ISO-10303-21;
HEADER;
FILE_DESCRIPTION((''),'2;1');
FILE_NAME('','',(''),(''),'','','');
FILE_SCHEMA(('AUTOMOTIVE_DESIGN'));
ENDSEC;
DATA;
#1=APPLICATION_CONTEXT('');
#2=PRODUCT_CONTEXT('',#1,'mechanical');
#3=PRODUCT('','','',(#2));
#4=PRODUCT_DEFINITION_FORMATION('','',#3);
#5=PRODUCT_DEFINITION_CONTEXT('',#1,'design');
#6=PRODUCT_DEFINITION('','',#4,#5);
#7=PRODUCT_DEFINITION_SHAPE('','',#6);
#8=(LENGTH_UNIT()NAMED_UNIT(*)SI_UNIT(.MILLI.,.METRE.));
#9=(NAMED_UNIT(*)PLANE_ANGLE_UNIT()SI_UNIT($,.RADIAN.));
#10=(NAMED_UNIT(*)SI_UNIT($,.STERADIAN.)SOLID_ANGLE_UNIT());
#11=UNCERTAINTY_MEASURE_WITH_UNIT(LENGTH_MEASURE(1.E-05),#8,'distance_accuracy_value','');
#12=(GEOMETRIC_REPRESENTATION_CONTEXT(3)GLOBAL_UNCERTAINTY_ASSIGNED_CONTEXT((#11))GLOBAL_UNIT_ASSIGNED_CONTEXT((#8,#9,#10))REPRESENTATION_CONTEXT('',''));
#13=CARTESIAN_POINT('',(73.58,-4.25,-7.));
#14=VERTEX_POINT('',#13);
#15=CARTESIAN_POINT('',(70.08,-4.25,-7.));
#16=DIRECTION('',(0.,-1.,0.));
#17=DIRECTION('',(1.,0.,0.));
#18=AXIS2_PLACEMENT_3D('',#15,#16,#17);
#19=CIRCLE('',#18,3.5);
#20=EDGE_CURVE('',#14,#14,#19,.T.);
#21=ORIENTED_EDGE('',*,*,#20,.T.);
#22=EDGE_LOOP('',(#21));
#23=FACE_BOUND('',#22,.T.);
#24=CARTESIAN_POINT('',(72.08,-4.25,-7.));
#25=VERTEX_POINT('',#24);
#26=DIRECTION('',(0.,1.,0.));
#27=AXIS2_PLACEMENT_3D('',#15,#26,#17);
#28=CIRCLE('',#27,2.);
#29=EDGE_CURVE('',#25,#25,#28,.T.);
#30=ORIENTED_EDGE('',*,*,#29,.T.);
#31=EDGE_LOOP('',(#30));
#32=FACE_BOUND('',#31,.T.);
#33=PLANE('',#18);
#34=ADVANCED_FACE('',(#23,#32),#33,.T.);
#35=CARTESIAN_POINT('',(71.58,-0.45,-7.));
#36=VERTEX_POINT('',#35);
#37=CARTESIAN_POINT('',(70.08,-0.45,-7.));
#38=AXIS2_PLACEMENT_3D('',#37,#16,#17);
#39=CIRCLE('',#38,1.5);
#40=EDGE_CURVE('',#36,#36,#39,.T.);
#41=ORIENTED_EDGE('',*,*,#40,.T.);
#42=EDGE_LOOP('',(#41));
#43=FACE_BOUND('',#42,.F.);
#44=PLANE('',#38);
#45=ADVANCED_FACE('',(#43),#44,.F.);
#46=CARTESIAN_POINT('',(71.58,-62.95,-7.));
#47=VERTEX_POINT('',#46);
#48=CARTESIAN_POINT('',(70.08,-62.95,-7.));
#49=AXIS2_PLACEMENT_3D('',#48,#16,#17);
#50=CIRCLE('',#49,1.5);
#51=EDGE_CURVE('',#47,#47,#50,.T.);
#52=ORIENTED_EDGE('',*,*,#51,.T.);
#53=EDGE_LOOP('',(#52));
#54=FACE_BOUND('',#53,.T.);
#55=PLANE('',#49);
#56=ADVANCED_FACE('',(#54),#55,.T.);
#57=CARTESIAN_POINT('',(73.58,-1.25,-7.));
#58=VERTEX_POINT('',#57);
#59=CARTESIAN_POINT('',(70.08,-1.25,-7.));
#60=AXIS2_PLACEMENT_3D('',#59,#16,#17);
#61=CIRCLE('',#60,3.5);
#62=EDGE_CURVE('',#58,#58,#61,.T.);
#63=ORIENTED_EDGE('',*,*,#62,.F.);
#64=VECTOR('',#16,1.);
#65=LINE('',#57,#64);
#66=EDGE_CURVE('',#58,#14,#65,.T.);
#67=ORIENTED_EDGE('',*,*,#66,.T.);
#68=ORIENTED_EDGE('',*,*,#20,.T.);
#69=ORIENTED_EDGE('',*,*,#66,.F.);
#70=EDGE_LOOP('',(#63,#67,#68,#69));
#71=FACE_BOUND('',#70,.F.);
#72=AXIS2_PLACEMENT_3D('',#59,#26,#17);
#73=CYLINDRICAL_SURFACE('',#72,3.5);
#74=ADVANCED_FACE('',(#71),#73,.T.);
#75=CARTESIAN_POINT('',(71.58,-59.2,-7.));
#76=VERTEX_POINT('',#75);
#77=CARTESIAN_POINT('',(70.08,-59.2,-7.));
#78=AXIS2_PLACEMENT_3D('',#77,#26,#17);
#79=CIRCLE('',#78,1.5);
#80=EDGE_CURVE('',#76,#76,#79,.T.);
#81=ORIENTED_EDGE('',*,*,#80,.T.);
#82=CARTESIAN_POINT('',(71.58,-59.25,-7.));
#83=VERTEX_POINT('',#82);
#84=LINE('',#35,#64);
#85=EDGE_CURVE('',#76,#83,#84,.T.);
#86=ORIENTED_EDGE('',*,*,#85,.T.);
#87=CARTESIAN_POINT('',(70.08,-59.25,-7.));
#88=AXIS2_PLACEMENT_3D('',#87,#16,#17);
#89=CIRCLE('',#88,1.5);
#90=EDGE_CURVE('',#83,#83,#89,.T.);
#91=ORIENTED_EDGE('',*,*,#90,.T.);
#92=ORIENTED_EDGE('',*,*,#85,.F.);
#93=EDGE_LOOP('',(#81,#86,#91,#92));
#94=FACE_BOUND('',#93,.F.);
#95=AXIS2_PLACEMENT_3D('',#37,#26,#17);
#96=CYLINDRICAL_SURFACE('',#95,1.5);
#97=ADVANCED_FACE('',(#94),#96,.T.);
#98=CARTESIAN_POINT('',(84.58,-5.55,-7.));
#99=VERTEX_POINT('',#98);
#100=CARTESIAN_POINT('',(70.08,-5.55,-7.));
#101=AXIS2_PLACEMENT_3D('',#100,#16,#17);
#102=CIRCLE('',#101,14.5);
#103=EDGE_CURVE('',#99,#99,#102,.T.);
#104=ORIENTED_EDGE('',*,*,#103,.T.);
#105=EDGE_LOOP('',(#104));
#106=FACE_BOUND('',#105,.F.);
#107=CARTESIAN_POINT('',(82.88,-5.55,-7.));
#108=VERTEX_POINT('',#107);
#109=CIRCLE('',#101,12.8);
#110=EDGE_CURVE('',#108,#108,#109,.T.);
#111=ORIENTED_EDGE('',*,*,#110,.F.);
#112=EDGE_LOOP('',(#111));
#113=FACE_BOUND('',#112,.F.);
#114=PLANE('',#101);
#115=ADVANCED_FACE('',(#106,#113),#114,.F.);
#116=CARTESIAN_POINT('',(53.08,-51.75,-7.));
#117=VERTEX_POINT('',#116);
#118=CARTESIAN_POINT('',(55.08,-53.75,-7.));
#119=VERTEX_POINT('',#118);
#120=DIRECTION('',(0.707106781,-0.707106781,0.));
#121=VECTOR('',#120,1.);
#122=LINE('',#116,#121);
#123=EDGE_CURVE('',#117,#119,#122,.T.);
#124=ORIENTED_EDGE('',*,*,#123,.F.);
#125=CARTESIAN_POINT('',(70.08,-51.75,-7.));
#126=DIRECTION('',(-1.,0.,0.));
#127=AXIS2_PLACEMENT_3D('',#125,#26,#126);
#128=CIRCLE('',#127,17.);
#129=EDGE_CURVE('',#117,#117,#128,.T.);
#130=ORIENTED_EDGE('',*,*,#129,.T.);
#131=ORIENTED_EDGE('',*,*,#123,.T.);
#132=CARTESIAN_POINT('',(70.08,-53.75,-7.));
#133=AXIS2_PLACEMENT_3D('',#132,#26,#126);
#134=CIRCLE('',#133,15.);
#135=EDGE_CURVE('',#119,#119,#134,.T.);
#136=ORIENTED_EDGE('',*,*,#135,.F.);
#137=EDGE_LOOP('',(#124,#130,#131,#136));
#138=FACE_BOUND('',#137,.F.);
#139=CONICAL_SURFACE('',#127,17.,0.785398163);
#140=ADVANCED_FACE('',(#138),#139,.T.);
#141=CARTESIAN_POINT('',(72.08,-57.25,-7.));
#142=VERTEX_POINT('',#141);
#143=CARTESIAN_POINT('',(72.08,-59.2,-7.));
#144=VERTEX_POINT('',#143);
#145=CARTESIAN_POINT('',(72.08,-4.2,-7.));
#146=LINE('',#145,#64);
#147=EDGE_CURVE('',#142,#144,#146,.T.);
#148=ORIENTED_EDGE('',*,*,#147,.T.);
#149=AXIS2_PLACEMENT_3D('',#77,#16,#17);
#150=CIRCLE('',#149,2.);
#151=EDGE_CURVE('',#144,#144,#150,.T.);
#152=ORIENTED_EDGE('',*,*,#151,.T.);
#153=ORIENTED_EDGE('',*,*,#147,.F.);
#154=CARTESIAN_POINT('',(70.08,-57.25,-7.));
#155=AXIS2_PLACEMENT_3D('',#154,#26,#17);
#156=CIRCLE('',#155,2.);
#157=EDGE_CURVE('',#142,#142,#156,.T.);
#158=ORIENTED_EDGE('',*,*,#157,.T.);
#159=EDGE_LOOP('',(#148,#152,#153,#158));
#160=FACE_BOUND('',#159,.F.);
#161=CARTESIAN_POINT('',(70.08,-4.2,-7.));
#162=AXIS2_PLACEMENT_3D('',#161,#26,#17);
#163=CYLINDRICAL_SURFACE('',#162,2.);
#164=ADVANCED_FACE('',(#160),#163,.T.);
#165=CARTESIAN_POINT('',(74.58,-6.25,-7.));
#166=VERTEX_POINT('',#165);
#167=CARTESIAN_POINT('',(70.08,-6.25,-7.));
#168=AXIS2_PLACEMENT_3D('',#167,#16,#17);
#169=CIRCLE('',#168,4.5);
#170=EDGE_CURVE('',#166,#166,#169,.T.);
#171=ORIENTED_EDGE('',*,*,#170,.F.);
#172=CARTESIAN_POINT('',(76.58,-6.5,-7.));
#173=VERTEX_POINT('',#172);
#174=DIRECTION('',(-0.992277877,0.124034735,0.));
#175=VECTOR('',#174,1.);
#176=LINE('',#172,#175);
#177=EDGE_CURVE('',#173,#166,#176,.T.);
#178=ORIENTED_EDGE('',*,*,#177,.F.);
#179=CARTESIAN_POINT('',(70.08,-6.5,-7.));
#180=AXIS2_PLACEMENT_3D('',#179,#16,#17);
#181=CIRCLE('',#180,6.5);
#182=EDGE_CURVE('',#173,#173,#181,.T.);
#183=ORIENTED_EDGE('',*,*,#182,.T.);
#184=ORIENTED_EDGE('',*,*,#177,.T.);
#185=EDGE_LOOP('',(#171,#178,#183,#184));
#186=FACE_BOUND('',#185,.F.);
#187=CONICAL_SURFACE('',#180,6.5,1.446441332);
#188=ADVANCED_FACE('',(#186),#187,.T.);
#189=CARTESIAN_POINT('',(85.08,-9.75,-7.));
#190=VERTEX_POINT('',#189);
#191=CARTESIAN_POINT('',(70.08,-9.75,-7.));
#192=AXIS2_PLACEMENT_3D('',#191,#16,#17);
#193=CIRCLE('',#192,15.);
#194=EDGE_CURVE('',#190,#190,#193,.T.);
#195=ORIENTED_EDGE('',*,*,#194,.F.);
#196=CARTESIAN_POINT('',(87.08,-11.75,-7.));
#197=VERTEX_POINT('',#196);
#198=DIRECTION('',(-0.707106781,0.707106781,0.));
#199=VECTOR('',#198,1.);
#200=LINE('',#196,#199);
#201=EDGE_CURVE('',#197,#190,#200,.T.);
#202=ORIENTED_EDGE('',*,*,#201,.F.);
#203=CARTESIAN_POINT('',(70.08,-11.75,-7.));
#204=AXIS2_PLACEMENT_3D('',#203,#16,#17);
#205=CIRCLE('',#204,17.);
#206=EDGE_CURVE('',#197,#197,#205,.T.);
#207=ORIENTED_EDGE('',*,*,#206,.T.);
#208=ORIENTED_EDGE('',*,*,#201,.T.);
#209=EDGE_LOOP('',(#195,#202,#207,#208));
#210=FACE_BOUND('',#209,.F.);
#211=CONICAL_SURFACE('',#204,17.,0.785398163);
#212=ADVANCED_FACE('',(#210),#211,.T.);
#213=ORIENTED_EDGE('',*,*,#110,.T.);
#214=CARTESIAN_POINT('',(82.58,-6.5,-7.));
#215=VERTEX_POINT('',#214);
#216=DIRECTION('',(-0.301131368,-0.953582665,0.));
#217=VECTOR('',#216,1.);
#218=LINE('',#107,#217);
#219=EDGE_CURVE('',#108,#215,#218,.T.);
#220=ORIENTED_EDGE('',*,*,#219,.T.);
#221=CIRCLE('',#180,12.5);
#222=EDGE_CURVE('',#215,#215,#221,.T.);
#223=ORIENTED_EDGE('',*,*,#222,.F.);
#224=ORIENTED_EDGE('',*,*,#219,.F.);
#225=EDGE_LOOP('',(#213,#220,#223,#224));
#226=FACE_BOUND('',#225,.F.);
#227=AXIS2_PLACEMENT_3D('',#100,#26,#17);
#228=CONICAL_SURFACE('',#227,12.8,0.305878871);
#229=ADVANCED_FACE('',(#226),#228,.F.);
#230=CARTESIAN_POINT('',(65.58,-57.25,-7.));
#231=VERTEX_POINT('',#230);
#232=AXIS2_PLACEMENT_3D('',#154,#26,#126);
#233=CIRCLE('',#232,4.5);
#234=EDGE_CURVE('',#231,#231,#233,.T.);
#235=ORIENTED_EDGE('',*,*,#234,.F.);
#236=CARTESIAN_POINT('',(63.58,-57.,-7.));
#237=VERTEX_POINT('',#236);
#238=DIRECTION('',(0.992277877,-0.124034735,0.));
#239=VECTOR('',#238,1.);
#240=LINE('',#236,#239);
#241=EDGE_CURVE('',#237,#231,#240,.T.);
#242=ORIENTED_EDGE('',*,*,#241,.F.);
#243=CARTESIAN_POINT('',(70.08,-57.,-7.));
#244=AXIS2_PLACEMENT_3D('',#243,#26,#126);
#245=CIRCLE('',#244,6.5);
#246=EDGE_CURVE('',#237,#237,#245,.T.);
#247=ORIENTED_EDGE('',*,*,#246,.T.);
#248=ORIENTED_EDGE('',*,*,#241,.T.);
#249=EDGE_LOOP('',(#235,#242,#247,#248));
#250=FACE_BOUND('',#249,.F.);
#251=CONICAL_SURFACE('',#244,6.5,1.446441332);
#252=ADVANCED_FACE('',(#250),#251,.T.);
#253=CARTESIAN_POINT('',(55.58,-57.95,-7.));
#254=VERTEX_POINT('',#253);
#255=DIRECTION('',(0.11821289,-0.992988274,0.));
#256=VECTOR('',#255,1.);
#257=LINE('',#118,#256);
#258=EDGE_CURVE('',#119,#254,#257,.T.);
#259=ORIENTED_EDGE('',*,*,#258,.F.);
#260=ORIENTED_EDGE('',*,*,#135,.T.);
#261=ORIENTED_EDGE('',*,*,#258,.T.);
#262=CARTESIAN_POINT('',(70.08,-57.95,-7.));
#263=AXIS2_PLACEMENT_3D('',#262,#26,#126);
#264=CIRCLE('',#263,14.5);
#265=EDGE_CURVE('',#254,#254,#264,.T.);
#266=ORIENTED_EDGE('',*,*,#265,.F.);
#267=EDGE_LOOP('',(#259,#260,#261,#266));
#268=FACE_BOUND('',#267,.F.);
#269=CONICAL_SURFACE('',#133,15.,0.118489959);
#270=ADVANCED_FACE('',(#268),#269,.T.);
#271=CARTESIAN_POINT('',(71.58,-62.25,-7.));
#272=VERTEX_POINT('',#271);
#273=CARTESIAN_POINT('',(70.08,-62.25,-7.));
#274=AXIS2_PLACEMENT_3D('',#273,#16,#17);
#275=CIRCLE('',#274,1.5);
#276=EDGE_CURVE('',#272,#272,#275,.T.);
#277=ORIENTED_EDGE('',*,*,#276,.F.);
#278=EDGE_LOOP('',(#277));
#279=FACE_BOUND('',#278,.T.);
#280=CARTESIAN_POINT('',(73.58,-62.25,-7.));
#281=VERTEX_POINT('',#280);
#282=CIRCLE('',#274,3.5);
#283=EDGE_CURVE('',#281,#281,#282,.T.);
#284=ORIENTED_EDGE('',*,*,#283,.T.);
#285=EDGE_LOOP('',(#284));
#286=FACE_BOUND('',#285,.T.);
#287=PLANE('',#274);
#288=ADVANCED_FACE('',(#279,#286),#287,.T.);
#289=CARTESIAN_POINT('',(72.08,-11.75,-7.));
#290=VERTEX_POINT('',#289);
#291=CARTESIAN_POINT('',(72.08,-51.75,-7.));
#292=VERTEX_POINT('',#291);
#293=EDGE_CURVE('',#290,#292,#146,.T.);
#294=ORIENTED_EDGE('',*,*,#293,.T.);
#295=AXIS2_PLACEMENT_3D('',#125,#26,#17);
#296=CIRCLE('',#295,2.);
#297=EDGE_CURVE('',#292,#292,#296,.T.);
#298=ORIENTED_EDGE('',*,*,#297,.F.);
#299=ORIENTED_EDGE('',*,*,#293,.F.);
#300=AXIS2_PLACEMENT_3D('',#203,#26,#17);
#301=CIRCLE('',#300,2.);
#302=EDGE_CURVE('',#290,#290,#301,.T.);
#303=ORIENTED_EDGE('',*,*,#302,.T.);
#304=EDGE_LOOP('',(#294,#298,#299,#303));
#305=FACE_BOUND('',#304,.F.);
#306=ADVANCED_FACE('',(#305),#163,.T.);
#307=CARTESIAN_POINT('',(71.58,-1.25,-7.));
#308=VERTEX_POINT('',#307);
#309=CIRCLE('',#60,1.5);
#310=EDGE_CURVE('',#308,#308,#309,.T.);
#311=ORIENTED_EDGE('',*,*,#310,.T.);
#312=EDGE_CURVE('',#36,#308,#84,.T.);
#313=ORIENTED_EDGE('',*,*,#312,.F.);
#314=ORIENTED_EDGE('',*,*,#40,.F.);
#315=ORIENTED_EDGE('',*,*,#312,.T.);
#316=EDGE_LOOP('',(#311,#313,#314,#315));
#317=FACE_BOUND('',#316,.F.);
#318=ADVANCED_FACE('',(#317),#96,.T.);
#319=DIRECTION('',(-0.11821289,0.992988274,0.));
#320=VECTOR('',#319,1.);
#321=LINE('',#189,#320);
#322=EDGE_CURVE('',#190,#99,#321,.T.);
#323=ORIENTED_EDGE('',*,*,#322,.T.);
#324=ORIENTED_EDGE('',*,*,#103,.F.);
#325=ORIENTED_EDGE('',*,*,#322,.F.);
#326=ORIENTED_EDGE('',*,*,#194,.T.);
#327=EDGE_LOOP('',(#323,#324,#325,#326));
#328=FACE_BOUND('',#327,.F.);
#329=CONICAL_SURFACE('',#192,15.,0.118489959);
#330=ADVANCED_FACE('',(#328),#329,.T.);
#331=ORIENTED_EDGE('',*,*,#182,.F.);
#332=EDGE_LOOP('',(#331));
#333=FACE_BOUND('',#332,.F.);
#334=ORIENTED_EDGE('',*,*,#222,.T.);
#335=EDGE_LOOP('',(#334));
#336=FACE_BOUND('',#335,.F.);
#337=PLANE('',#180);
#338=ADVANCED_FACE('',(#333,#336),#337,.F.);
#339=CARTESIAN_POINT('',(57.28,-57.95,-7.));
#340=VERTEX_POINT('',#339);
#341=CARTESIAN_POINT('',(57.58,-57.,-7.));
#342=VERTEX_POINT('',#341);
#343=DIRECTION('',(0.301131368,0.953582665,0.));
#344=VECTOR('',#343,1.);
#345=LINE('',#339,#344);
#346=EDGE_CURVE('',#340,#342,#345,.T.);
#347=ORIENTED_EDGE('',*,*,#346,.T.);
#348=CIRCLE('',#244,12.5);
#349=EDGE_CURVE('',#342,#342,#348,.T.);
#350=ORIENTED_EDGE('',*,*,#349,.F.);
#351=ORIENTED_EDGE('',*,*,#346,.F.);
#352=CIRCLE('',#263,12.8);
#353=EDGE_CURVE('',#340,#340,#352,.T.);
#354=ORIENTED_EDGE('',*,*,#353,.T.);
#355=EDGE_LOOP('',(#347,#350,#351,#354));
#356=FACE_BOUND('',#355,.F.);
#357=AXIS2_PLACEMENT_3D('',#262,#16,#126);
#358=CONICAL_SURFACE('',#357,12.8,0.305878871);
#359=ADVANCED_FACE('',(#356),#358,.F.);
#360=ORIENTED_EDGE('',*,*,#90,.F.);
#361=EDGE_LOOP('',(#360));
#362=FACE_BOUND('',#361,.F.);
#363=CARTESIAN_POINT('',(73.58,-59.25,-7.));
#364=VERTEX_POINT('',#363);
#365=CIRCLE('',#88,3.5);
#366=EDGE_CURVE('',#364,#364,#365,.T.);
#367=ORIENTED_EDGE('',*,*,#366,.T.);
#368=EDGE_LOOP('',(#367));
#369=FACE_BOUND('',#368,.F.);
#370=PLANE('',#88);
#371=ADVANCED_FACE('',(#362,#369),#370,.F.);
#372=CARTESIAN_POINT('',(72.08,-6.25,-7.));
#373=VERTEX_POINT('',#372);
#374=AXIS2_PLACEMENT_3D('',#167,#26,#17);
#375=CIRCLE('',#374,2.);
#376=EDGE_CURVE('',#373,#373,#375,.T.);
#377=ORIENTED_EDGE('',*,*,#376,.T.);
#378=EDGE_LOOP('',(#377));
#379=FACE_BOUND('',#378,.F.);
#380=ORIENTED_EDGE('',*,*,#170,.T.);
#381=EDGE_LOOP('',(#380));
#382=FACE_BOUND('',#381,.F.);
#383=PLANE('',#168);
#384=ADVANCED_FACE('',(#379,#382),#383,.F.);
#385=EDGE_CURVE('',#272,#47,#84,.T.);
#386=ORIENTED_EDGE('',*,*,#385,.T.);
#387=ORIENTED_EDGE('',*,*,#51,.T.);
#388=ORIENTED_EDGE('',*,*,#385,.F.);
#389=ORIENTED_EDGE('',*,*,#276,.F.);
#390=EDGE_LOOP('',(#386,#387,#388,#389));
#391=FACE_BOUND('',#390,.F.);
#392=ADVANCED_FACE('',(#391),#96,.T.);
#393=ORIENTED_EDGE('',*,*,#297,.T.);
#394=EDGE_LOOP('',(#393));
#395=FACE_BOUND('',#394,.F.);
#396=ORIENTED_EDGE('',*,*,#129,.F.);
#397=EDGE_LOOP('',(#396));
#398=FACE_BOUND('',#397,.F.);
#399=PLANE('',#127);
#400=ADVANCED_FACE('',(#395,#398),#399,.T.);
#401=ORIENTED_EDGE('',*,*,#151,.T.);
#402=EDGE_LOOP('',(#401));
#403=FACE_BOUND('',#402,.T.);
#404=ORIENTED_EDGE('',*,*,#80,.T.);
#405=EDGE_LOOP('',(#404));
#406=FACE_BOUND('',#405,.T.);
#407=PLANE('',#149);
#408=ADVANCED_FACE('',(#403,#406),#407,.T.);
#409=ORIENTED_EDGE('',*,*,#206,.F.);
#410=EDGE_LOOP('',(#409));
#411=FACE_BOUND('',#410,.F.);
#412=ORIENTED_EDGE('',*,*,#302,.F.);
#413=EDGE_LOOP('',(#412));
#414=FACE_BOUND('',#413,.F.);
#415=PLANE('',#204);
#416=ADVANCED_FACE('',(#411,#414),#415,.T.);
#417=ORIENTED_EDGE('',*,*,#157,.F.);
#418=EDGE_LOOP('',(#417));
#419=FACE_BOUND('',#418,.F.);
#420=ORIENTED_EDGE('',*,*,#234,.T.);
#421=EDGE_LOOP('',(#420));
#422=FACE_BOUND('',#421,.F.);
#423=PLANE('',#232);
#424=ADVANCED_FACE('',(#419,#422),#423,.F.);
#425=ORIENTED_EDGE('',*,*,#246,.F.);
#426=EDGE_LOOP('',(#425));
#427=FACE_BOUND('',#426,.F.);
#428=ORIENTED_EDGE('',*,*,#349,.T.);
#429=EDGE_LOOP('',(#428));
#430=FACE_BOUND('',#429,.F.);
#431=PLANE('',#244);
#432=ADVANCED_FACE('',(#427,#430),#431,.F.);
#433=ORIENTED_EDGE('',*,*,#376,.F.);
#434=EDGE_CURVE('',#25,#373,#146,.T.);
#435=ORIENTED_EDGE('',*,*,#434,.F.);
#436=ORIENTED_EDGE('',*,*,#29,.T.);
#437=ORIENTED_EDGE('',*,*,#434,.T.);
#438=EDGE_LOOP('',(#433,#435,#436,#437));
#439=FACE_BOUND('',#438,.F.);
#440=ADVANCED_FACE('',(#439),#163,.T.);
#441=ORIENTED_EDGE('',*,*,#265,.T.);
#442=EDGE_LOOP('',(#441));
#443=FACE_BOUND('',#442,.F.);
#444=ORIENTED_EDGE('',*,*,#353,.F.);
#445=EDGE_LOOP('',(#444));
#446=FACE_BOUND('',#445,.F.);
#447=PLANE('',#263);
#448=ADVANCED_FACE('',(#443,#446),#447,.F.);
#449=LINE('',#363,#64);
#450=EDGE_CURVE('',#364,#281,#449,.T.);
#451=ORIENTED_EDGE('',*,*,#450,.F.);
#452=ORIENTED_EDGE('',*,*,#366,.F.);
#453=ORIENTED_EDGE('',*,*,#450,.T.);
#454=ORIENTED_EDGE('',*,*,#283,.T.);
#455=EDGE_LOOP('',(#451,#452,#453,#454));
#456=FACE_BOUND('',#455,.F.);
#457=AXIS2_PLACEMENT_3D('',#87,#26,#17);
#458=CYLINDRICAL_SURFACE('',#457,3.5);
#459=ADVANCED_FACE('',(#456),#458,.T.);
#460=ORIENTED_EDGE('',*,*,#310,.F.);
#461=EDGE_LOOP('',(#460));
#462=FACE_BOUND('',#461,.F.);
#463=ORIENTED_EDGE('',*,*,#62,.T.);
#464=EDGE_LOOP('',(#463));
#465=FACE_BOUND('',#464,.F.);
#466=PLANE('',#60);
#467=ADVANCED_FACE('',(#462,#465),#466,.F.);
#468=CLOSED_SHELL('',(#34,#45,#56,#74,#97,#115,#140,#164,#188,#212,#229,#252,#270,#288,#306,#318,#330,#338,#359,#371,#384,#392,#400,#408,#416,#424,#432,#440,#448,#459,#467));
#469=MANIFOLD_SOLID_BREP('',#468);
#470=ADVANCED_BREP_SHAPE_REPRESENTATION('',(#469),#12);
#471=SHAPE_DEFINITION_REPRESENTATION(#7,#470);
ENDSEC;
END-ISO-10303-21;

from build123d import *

# Parameters (mm, degrees)
CYLINDER032_R             = 2
CYLINDER032_DEPTH         = 10
CUT021_PLACEMENT_ANGLE    = 180
CYLINDER034_R             = 1.5
CYLINDER034_DEPTH         = 3
CYLINDER033_R             = 3.5
CYLINDER033_DEPTH         = 3
CUT022_PLACEMENT_ANGLE    = 90
CYLINDER030_R             = 1.5
CYLINDER030_DEPTH         = 3
CYLINDER029_R             = 3.5
CYLINDER029_DEPTH         = 3
CUT019_PLACEMENT_ANGLE    = 90
CYLINDER036_R             = 1.5
CYLINDER036_DEPTH         = 62.5
CYLINDER035_R             = 2
CYLINDER035_DEPTH         = 55
FUSION012_PLACEMENT_ANGLE = 90
CYLINDER031_R             = 2
CYLINDER031_DEPTH         = 10


with BuildPart() as cylinder032:
    # Cylinder032 → Cylinder032 (new body)
    with BuildSketch(Plane.XZ.offset(-8)):
        Circle(CYLINDER032_R)
    extrude(amount=CYLINDER032_DEPTH)


with BuildPart() as rad004:
    # Sketch005 → Revolve004 (revolve)
    with BuildSketch(Plane.XY):
        Polygon((0, 0), (17, 0), (15, 2), (14.5, 6.2), (12.8, 6.2), (12.5, 5.25), (6.5, 5.25), (4.5, 5.5), (0, 5.5), align=None)
    revolve(axis=Axis((0, 0, 0), (0, -1, 0)))

    # Cut021: cut Cylinder032
    add(cylinder032.part, mode=Mode.SUBTRACT)


with BuildPart() as rad004_1:
    # Cut021 placement: moved
    add(rad004.part.moved(Location((0, -40, 0))).rotate(Axis((0, -40, 0), (0, 0, 1)), CUT021_PLACEMENT_ANGLE))


with BuildPart() as cylinder034:
    # Cylinder034 → Cylinder034 (new body)
    with BuildSketch(Plane.XY):
        Circle(CYLINDER034_R)
    extrude(amount=CYLINDER034_DEPTH)


with BuildPart() as kugellager004:
    # Cylinder033 → Cylinder033 (new body)
    with BuildSketch(Plane.XY):
        Circle(CYLINDER033_R)
    extrude(amount=CYLINDER033_DEPTH)

    # Cut022: cut Cylinder034
    add(cylinder034.part, mode=Mode.SUBTRACT)


with BuildPart() as kugellager004_1:
    # Cut022 placement: moved
    add(kugellager004.part.moved(Location((0, -47.5, 0))).rotate(Axis((0, -47.5, 0), (1, 0, 0)), CUT022_PLACEMENT_ANGLE))


with BuildPart() as cylinder030:
    # Cylinder030 → Cylinder030 (new body)
    with BuildSketch(Plane.XY):
        Circle(CYLINDER030_R)
    extrude(amount=CYLINDER030_DEPTH)


with BuildPart() as kugellager003:
    # Cylinder029 → Cylinder029 (new body)
    with BuildSketch(Plane.XY):
        Circle(CYLINDER029_R)
    extrude(amount=CYLINDER029_DEPTH)

    # Cut019: cut Cylinder030
    add(cylinder030.part, mode=Mode.SUBTRACT)


with BuildPart() as kugellager003_1:
    # Cut019 placement: moved
    add(kugellager003.part.moved(Location((0, 10.5, 0))).rotate(Axis((0, 10.5, 0), (1, 0, 0)), CUT019_PLACEMENT_ANGLE))


with BuildPart() as cylinder036:
    # Cylinder036 → Cylinder036 (new body)
    with BuildSketch(Plane.XY):
        Circle(CYLINDER036_R)
    extrude(amount=CYLINDER036_DEPTH)


with BuildPart() as achse003:
    # Cylinder035 → Cylinder035 (new body)
    with BuildSketch(Plane.XY.offset(3.75)):
        Circle(CYLINDER035_R)
    extrude(amount=CYLINDER035_DEPTH)

    # Fusion012: union Cylinder036
    add(cylinder036.part)


with BuildPart() as achse003_1:
    # Fusion012 placement: moved
    add(achse003.part.moved(Location((0, 11.3, 0))).rotate(Axis((0, 11.3, 0), (1, 0, 0)), FUSION012_PLACEMENT_ANGLE))


with BuildPart() as cylinder031:
    # Cylinder031 → Cylinder031 (new body)
    with BuildSketch(Plane.XZ.offset(-8)):
        Circle(CYLINDER031_R)
    extrude(amount=CYLINDER031_DEPTH)


with BuildPart() as radsatz002:
    # Sketch005 → Revolve003 (revolve)
    with BuildSketch(Plane.XY):
        Polygon((0, 0), (17, 0), (15, 2), (14.5, 6.2), (12.8, 6.2), (12.5, 5.25), (6.5, 5.25), (4.5, 5.5), (0, 5.5), align=None)
    revolve(axis=Axis((0, 0, 0), (0, -1, 0)))

    # Cut020: cut Cylinder031
    add(cylinder031.part, mode=Mode.SUBTRACT)

    # Fusion013: union Rad004, Kugellager004, Kugellager003, Achse003
    add(rad004_1.part)
    add(kugellager004_1.part)
    add(kugellager003_1.part)
    add(achse003_1.part)


with BuildPart() as radsatz002_1:
    # Fusion013 placement: moved
    add(radsatz002.part.moved(Location((70.08, -11.75, -7))))


solid = radsatz002_1.part
